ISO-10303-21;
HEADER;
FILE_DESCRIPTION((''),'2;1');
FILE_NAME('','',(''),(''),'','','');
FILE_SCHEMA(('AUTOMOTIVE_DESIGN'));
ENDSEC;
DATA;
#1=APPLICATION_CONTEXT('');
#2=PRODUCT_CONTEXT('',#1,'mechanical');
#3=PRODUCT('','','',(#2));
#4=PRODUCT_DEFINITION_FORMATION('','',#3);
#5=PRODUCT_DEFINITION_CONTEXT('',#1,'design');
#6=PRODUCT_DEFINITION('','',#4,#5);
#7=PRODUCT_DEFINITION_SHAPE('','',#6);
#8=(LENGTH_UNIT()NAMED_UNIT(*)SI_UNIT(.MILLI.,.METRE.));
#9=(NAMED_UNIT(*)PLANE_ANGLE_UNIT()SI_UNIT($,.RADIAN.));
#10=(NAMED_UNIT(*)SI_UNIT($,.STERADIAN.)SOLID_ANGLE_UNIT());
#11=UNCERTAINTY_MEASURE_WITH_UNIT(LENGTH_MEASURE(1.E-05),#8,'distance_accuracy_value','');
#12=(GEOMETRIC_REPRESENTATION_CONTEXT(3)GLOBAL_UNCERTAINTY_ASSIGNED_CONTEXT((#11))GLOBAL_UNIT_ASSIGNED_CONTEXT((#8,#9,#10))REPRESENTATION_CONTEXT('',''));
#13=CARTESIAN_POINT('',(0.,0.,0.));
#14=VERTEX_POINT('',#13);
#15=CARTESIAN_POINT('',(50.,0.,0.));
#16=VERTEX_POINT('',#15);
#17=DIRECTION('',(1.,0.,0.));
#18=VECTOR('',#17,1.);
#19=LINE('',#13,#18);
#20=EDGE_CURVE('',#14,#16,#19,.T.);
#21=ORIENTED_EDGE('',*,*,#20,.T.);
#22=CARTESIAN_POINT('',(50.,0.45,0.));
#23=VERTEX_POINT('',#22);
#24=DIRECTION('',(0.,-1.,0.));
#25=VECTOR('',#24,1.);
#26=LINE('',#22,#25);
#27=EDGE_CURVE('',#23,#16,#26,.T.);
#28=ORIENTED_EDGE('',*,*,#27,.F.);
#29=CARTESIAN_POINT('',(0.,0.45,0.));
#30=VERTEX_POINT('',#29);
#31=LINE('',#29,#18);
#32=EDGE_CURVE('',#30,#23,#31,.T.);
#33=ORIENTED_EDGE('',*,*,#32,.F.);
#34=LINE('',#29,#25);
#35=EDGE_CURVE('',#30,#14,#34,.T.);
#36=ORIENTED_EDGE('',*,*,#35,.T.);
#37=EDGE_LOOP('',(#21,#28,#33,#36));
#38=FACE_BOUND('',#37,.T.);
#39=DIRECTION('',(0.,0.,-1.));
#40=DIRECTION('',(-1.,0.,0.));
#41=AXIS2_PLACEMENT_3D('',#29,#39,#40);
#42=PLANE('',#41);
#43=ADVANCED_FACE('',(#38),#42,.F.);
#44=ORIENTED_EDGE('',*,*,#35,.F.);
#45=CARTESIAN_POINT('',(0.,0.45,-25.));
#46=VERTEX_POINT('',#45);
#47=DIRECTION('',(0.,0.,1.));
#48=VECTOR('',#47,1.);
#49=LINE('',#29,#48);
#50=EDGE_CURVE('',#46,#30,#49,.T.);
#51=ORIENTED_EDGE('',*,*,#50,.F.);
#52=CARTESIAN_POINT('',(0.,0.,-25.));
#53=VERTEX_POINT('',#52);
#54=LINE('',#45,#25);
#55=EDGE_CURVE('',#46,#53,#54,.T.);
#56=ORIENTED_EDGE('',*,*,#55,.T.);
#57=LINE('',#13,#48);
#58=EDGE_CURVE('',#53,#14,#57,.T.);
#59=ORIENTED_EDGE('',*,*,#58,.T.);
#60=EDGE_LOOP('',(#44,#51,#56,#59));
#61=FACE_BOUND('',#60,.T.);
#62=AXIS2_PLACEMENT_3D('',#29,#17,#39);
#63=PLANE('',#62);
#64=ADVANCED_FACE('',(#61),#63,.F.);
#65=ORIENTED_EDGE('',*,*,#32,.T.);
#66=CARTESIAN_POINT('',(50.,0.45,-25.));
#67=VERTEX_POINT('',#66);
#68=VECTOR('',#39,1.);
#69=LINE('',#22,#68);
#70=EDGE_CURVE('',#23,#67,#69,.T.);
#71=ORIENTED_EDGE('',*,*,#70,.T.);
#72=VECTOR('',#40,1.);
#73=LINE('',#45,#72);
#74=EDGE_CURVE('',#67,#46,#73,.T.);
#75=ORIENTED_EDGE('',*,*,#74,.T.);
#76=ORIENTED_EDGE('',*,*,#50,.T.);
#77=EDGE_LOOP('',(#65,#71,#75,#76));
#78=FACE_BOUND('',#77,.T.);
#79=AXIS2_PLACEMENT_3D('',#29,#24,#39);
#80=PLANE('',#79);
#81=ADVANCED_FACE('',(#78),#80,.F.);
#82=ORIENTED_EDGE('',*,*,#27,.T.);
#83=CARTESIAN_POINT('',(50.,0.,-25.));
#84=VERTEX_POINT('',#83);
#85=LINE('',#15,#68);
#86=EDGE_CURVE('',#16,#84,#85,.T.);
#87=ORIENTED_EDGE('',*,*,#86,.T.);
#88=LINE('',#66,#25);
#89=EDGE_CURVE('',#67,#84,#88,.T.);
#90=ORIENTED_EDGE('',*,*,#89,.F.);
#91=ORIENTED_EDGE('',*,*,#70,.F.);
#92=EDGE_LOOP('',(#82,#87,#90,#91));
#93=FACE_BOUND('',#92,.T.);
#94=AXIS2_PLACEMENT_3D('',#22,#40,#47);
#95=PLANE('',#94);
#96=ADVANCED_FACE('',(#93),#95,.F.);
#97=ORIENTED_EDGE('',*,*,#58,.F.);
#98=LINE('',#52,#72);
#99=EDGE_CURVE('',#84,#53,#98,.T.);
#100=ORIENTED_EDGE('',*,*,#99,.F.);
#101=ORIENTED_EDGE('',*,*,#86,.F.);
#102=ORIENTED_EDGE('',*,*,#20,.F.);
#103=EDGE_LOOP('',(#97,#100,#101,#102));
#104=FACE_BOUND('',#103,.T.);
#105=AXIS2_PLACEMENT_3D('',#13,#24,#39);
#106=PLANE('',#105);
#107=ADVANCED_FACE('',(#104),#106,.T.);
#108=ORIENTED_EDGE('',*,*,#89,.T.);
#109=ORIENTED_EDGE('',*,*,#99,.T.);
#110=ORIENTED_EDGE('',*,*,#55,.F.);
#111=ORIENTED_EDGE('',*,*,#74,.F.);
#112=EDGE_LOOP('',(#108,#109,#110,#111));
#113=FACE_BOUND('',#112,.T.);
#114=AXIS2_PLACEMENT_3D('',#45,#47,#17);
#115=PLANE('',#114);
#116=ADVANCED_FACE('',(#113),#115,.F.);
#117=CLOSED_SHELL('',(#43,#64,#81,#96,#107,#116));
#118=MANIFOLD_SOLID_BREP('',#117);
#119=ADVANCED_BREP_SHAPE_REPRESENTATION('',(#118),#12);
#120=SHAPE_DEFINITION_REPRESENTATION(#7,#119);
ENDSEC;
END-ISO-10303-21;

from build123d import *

# Parameters (mm, degrees)
SKETCH1_W           = 50
SKETCH1_H           = 25
BOSS_EXTRUDE1_DEPTH = 0.45


with BuildPart() as part:
    # Sketch1 → Boss-Extrude1 (new body)
    with BuildSketch(Plane(origin=(0, 0, 0), x_dir=(1, 0, 0), z_dir=(0, 1, 0))):
        with Locations((25, 12.5)):
            Rectangle(SKETCH1_W, SKETCH1_H)
    extrude(amount=BOSS_EXTRUDE1_DEPTH)


solid = part.part
